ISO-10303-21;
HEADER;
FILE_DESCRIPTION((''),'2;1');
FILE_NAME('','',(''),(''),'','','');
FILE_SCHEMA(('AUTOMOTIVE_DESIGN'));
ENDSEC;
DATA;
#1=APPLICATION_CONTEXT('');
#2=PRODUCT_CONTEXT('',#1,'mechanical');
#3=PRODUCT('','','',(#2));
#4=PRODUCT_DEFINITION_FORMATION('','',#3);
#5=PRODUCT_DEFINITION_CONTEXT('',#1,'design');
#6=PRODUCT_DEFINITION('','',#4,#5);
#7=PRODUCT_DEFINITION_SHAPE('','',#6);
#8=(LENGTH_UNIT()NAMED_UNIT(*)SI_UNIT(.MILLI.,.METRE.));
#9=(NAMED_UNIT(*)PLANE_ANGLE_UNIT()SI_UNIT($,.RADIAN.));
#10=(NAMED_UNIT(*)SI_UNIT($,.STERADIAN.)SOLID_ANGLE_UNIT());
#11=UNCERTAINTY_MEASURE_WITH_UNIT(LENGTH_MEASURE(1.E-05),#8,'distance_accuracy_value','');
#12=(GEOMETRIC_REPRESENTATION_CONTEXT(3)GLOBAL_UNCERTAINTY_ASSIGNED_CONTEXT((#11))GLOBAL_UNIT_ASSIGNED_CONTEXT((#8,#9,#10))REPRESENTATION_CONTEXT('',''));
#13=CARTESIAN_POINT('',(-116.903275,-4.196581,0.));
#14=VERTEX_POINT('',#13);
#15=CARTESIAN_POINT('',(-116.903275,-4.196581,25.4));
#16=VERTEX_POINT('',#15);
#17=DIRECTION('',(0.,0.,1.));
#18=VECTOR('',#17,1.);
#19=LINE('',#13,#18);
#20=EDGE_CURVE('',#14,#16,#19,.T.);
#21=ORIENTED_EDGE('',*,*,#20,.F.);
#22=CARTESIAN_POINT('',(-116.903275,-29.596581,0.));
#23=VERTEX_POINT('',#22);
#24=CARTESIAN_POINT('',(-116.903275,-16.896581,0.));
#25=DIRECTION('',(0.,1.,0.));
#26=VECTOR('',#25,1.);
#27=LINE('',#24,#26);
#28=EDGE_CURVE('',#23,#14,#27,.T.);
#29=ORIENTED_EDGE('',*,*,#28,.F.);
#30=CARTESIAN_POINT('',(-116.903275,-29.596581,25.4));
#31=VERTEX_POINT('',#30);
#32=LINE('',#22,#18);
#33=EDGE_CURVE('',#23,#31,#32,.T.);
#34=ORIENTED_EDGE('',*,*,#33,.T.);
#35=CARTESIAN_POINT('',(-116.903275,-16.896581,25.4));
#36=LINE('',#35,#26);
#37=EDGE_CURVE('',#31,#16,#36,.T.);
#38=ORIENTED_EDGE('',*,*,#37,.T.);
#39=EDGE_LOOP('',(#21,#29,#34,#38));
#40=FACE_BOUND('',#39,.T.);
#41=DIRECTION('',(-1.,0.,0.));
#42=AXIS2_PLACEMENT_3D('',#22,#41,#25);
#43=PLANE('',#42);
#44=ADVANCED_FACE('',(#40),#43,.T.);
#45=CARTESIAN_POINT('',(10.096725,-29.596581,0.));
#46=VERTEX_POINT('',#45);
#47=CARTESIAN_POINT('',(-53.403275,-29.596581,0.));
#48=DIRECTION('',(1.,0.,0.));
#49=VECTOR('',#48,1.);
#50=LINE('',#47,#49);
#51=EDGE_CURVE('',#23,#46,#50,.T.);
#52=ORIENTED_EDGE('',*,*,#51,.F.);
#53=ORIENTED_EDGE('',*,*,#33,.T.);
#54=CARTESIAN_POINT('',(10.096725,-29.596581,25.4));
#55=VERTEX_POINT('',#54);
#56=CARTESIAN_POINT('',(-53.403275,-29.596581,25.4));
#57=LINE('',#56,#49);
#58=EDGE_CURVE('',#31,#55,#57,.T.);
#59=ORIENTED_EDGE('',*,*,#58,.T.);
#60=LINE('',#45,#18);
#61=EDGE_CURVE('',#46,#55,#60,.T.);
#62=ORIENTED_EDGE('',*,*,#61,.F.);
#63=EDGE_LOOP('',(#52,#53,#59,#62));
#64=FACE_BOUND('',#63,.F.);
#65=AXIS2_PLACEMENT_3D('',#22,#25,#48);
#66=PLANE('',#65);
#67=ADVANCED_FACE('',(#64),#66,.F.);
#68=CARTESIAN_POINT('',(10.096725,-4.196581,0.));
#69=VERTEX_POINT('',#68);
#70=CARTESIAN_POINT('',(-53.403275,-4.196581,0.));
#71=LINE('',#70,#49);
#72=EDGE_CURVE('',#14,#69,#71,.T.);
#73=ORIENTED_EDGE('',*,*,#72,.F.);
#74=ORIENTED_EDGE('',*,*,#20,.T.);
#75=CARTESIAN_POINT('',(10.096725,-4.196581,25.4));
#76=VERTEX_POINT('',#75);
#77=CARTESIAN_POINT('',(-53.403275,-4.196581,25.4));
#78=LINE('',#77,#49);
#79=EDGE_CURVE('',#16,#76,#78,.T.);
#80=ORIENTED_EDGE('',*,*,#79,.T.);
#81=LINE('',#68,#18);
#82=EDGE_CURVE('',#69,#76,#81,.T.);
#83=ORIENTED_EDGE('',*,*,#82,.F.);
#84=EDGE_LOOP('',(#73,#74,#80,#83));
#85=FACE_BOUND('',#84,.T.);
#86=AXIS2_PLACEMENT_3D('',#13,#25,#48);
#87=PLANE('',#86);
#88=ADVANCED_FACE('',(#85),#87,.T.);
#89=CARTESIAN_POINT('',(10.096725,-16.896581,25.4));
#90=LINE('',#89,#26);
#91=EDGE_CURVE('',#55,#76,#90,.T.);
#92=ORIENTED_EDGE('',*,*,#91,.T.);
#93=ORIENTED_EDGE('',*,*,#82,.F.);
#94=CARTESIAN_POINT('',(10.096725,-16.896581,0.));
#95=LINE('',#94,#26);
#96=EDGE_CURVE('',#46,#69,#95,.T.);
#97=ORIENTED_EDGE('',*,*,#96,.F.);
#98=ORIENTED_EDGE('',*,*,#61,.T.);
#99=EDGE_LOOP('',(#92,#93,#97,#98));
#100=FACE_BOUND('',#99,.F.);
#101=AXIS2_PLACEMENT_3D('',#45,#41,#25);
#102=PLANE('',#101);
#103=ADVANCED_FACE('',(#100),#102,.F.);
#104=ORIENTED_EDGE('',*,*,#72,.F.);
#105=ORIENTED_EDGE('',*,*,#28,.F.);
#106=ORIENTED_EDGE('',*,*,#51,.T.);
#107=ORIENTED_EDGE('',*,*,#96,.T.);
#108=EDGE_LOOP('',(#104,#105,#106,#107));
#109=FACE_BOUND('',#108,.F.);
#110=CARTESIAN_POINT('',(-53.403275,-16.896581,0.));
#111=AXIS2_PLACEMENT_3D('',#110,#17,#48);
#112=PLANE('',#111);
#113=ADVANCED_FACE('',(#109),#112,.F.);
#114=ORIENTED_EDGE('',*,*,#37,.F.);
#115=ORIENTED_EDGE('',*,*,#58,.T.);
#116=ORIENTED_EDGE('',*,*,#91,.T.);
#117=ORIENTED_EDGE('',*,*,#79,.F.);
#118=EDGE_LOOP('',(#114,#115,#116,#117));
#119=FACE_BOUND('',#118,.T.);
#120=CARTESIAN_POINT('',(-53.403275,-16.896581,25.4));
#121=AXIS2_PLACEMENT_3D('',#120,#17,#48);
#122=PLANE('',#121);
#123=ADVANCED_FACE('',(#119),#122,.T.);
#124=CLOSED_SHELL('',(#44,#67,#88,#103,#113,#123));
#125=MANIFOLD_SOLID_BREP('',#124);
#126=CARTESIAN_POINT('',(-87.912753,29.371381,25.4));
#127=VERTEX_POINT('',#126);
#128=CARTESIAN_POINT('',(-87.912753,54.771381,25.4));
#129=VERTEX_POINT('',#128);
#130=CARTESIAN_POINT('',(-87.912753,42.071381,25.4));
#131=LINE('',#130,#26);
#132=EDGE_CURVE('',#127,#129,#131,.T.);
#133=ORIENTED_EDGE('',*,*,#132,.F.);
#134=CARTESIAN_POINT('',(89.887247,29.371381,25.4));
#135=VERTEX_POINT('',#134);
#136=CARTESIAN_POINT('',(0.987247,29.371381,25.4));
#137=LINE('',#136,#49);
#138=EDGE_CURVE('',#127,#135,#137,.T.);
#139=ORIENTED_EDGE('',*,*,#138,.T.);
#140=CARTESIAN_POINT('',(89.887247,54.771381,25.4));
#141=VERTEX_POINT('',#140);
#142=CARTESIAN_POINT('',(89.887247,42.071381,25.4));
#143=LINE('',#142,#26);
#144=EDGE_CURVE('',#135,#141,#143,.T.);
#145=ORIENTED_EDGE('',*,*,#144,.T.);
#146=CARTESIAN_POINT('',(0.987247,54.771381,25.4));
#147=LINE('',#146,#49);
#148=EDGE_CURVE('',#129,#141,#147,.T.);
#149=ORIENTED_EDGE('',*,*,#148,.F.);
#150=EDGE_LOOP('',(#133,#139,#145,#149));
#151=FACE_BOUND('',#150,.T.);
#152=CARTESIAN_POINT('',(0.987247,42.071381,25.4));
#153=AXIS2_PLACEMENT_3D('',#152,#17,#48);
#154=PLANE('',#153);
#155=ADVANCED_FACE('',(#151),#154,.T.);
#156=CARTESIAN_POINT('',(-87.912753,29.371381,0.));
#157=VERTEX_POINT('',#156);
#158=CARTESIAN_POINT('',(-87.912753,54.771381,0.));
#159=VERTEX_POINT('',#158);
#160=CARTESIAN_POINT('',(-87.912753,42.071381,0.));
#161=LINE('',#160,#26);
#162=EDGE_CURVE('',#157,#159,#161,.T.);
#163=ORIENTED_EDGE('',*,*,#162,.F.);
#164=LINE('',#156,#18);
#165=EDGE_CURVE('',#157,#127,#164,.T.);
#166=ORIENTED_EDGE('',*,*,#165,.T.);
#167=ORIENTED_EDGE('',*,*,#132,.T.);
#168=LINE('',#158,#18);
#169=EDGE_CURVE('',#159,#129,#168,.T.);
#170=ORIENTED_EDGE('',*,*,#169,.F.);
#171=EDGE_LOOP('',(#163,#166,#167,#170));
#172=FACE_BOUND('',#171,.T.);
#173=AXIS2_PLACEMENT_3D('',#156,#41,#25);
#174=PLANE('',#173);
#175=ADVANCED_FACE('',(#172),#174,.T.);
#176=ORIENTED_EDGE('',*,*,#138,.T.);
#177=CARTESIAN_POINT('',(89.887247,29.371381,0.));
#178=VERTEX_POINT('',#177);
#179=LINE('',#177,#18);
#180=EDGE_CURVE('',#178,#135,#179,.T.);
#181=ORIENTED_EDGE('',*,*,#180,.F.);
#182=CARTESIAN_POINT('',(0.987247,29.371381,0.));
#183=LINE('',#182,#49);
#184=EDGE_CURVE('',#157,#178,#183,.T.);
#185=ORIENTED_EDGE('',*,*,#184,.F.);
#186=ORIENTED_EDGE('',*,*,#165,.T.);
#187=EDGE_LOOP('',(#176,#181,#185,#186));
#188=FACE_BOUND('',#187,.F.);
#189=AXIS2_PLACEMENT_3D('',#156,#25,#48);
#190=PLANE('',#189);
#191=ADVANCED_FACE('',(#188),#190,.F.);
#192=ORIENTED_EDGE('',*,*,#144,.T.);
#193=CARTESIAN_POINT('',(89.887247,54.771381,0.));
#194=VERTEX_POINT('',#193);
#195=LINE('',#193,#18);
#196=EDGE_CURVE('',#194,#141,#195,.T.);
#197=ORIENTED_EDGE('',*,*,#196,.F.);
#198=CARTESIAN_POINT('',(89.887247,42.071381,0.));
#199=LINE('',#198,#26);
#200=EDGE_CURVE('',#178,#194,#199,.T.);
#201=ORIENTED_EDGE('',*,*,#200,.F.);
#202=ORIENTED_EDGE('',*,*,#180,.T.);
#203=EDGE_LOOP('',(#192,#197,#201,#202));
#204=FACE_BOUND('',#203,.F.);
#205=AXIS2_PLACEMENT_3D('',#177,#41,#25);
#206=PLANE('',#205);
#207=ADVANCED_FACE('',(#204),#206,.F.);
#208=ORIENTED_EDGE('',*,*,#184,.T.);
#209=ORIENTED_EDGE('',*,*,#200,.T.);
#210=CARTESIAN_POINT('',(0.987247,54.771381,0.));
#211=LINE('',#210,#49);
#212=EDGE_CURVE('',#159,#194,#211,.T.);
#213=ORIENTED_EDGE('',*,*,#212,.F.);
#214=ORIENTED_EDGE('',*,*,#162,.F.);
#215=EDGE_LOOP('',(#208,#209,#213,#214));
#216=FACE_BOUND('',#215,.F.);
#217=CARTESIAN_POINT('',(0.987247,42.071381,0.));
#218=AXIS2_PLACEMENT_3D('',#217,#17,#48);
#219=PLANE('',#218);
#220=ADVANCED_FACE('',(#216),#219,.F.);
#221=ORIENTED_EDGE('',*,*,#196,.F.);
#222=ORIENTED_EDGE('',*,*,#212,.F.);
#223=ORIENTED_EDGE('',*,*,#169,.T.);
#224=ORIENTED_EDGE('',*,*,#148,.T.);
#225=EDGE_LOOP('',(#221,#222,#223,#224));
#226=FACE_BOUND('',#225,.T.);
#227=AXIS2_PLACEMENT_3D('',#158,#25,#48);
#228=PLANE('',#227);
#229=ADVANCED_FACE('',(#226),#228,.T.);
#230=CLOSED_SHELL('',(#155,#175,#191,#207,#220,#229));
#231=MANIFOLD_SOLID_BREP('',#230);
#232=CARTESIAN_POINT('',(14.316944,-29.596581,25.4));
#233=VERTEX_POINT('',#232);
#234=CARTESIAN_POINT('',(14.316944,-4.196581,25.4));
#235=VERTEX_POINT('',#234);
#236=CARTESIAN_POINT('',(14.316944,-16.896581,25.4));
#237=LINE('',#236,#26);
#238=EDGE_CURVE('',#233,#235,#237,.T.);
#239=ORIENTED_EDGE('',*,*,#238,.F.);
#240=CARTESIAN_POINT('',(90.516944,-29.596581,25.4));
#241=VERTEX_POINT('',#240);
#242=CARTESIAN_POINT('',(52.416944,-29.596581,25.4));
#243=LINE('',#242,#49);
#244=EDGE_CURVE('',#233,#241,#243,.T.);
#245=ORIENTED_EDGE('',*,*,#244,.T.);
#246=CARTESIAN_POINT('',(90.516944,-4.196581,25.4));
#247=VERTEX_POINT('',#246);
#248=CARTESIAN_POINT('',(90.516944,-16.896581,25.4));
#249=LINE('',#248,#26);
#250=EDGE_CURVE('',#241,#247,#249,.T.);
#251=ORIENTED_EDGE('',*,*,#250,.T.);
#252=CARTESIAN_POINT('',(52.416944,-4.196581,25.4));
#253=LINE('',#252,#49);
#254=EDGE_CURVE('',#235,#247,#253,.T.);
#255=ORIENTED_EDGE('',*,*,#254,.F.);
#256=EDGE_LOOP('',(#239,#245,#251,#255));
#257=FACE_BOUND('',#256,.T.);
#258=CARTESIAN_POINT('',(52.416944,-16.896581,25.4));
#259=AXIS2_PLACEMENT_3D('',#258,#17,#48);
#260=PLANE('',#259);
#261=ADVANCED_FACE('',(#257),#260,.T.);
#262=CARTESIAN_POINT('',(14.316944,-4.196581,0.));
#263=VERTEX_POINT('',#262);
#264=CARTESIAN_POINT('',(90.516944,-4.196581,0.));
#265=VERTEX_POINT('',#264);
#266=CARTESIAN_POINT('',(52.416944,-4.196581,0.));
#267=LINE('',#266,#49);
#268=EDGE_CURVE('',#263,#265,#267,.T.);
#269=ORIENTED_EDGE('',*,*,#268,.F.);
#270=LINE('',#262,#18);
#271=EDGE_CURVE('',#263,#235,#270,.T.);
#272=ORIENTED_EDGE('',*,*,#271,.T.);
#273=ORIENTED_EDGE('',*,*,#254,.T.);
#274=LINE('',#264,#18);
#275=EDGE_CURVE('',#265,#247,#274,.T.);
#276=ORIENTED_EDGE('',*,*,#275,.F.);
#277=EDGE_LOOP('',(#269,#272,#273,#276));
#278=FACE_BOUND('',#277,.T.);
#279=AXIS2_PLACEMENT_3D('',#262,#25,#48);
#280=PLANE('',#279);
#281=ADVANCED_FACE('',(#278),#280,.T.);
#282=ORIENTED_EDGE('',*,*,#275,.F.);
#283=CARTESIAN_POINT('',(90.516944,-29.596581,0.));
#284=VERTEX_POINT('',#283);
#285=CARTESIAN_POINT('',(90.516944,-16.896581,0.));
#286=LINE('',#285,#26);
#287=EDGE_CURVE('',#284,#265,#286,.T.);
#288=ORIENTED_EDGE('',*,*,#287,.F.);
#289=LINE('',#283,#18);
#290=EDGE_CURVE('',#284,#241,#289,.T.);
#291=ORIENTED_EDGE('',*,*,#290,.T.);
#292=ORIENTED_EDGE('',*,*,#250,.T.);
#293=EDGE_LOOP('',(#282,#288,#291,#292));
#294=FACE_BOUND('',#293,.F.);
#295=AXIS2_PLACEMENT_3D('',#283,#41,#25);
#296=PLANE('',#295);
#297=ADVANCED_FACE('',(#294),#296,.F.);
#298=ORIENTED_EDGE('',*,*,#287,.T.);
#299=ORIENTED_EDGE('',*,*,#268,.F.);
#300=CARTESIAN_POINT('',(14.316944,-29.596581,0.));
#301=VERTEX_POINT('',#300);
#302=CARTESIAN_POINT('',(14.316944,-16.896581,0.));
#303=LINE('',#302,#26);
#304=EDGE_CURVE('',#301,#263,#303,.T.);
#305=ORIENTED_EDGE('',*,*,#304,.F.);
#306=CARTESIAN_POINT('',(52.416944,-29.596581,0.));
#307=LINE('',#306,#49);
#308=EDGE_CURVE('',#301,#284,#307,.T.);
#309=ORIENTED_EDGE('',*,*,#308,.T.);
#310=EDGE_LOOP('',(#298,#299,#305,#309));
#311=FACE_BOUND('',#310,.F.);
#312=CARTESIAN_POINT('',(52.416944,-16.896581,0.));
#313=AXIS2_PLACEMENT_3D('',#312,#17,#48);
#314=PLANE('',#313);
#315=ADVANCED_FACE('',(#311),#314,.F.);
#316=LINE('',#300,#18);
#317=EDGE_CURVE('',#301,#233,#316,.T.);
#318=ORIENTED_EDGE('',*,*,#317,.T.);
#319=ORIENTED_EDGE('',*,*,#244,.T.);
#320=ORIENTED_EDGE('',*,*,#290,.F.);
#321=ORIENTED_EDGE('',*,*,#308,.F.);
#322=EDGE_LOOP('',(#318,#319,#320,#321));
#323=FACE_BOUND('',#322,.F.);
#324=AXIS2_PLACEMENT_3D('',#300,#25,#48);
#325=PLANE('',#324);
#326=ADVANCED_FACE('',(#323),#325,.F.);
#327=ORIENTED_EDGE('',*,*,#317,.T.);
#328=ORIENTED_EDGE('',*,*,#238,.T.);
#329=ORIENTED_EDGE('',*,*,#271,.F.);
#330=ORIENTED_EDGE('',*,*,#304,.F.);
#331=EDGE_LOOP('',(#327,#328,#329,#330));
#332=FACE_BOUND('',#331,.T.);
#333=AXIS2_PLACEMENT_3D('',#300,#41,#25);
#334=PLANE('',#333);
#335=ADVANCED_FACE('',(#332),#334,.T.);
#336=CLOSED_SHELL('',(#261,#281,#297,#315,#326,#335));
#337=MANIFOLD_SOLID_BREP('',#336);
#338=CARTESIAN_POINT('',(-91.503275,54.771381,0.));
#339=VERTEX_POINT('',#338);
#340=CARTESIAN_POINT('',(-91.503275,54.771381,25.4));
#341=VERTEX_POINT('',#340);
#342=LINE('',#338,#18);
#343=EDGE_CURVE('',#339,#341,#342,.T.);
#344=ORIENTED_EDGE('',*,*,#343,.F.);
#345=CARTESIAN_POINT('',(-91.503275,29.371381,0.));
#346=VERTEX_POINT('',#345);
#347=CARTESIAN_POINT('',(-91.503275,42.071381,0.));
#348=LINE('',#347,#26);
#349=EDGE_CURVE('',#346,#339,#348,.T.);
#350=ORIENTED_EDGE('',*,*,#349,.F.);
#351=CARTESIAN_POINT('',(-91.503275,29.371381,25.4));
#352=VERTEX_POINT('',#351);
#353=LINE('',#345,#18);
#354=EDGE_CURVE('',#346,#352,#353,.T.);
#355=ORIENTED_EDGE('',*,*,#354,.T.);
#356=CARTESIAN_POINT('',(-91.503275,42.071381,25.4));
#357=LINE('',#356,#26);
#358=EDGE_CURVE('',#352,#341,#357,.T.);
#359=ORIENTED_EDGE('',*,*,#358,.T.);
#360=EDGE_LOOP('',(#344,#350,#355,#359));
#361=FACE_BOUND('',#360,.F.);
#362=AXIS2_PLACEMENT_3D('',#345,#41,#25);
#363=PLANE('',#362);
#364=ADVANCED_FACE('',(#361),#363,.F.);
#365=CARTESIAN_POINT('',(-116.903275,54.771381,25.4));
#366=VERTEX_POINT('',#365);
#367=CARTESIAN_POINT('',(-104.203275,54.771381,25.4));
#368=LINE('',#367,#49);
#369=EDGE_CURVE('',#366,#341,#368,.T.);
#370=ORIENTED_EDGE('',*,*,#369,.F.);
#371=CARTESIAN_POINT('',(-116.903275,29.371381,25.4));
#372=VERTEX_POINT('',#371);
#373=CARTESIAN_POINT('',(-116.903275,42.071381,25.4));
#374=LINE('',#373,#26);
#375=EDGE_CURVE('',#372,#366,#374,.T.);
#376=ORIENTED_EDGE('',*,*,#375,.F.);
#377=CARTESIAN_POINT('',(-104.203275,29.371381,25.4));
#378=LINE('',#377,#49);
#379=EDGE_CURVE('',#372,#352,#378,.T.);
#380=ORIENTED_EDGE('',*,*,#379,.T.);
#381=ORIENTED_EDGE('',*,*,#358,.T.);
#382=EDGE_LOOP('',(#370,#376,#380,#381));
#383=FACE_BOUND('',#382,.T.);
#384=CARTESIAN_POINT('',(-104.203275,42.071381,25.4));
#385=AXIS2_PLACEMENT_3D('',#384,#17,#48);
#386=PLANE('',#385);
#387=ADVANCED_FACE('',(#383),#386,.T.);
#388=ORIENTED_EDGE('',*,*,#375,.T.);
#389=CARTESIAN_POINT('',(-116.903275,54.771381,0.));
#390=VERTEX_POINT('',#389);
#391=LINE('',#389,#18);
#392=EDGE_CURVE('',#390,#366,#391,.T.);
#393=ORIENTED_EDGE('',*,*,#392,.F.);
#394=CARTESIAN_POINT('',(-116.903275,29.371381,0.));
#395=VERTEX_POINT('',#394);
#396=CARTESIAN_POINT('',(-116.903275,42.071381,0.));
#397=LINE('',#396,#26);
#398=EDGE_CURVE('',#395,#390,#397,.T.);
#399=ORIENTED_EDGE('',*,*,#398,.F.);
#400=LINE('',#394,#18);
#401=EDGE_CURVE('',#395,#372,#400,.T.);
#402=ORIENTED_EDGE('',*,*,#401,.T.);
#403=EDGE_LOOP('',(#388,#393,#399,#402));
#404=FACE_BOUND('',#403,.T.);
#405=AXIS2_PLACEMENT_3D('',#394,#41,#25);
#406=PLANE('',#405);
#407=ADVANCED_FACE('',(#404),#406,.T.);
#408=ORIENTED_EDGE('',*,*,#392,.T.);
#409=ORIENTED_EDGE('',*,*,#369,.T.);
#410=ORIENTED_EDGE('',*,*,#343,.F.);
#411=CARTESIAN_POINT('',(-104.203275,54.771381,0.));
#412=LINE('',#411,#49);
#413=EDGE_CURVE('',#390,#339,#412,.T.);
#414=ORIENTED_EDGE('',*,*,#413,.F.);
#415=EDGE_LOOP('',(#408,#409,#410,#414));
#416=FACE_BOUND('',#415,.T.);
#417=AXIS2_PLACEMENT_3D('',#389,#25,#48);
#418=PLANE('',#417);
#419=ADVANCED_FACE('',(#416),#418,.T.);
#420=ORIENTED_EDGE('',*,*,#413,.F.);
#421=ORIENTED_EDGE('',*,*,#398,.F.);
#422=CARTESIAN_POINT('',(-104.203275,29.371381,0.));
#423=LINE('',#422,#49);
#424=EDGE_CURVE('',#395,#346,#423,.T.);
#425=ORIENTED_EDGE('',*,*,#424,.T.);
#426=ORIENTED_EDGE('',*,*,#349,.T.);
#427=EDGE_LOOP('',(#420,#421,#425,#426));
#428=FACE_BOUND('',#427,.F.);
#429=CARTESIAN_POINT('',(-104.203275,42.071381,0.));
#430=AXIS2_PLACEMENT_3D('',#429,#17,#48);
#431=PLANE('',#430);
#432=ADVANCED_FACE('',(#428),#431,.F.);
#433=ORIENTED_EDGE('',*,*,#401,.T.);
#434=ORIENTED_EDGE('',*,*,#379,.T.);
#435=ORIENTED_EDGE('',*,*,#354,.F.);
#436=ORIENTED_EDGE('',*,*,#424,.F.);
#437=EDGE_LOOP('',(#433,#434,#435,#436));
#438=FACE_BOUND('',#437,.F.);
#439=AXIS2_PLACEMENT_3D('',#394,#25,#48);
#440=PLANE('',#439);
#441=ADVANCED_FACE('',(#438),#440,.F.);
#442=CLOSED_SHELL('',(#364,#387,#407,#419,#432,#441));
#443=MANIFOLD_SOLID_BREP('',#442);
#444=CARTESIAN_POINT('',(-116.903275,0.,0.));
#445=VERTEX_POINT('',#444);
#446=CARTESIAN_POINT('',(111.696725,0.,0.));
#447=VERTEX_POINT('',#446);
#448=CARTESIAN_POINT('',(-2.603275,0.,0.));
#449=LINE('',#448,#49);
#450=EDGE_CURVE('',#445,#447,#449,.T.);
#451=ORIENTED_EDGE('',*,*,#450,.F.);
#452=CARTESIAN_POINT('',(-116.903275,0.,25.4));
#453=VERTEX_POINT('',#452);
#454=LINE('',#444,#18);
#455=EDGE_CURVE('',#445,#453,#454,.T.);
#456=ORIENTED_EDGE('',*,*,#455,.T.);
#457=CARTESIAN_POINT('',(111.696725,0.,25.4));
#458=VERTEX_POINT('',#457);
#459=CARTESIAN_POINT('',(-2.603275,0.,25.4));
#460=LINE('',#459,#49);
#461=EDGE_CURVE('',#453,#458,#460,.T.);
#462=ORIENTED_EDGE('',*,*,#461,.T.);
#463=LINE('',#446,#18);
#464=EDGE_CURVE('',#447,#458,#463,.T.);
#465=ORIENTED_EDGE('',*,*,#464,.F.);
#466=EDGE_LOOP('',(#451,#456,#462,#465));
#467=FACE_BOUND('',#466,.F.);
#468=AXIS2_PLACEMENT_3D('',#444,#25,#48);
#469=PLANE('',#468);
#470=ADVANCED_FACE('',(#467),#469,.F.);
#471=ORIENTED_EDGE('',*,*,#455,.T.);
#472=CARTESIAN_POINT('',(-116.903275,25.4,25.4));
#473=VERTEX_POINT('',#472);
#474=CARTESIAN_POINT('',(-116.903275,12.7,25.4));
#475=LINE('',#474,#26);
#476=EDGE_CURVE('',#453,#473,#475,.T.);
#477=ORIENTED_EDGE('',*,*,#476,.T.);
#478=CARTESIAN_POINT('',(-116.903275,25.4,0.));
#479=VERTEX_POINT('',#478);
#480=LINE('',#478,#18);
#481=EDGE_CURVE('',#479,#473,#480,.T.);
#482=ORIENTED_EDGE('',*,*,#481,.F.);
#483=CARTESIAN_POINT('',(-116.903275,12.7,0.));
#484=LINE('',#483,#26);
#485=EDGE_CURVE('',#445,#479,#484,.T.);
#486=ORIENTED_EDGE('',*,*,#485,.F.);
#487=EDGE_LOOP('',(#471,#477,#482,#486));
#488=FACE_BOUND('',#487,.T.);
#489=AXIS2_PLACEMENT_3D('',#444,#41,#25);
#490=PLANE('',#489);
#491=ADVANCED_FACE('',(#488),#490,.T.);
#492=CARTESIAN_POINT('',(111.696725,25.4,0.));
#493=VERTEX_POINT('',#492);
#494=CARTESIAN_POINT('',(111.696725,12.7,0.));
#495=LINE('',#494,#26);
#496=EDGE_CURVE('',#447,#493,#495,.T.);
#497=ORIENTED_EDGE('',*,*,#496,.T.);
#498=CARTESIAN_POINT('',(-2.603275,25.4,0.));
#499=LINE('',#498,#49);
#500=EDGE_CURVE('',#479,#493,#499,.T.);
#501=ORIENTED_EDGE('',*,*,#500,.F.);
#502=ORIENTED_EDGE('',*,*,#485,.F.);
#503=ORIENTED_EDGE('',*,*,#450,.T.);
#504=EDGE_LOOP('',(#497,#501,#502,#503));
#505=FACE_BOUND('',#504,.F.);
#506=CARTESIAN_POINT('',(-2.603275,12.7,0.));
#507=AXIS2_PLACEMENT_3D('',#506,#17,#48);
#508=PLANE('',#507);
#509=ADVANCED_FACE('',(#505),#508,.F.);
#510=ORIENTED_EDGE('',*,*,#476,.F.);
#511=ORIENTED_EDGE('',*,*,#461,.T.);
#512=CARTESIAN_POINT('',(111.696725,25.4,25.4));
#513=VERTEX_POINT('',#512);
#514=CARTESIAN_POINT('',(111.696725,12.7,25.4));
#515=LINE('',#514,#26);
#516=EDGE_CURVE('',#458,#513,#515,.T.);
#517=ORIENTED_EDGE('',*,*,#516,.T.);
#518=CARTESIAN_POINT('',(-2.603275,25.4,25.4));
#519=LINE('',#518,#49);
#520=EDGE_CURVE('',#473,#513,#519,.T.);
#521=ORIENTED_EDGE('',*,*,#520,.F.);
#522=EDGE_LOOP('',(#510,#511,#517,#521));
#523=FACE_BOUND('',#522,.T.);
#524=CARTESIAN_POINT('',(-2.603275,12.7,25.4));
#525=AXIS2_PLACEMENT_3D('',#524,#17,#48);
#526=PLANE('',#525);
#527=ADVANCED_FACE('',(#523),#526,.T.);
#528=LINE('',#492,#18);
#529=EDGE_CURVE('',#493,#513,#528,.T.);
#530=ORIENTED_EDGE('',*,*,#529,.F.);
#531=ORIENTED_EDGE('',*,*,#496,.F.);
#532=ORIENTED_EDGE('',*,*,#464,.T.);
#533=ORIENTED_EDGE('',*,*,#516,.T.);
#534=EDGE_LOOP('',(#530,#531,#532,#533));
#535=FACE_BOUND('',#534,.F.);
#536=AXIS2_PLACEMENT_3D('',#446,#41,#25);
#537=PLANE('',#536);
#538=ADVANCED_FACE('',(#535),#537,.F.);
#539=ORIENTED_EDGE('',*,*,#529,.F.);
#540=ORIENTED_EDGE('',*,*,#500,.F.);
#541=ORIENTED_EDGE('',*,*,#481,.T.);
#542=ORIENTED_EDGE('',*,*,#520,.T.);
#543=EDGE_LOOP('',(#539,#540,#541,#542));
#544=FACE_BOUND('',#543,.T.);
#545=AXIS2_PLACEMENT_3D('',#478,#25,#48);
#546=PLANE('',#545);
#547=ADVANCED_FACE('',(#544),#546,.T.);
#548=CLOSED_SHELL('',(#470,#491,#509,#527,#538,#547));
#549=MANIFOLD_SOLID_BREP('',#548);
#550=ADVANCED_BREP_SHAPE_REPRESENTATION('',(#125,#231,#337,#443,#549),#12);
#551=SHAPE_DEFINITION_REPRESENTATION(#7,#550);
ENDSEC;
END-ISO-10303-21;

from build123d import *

# Parameters (mm, degrees)
F0_W     = 25.4
F0_H     = 25.4
F0_W_2   = 228.6
F0_W_3   = 177.8
F0_W_4   = 127
F0_W_5   = 76.2
F1_DEPTH = 25.4


with BuildPart() as f1:
    # F0 (on Top) → F1 (new body)
    with BuildSketch(Plane.XY):
        with Locations((-104.203275, 42.071381)):
            Rectangle(F0_W, F0_H)
        with Locations((-2.603275, 12.7)):
            Rectangle(F0_W_2, F0_H)
        with Locations((0.987247, 42.071381)):
            Rectangle(F0_W_3, F0_H)
        with Locations((-53.403275, -16.896581)):
            Rectangle(F0_W_4, F0_H)
        with Locations((52.416944, -16.896581)):
            Rectangle(F0_W_5, F0_H)
    extrude(amount=F1_DEPTH)


solid = f1.part
